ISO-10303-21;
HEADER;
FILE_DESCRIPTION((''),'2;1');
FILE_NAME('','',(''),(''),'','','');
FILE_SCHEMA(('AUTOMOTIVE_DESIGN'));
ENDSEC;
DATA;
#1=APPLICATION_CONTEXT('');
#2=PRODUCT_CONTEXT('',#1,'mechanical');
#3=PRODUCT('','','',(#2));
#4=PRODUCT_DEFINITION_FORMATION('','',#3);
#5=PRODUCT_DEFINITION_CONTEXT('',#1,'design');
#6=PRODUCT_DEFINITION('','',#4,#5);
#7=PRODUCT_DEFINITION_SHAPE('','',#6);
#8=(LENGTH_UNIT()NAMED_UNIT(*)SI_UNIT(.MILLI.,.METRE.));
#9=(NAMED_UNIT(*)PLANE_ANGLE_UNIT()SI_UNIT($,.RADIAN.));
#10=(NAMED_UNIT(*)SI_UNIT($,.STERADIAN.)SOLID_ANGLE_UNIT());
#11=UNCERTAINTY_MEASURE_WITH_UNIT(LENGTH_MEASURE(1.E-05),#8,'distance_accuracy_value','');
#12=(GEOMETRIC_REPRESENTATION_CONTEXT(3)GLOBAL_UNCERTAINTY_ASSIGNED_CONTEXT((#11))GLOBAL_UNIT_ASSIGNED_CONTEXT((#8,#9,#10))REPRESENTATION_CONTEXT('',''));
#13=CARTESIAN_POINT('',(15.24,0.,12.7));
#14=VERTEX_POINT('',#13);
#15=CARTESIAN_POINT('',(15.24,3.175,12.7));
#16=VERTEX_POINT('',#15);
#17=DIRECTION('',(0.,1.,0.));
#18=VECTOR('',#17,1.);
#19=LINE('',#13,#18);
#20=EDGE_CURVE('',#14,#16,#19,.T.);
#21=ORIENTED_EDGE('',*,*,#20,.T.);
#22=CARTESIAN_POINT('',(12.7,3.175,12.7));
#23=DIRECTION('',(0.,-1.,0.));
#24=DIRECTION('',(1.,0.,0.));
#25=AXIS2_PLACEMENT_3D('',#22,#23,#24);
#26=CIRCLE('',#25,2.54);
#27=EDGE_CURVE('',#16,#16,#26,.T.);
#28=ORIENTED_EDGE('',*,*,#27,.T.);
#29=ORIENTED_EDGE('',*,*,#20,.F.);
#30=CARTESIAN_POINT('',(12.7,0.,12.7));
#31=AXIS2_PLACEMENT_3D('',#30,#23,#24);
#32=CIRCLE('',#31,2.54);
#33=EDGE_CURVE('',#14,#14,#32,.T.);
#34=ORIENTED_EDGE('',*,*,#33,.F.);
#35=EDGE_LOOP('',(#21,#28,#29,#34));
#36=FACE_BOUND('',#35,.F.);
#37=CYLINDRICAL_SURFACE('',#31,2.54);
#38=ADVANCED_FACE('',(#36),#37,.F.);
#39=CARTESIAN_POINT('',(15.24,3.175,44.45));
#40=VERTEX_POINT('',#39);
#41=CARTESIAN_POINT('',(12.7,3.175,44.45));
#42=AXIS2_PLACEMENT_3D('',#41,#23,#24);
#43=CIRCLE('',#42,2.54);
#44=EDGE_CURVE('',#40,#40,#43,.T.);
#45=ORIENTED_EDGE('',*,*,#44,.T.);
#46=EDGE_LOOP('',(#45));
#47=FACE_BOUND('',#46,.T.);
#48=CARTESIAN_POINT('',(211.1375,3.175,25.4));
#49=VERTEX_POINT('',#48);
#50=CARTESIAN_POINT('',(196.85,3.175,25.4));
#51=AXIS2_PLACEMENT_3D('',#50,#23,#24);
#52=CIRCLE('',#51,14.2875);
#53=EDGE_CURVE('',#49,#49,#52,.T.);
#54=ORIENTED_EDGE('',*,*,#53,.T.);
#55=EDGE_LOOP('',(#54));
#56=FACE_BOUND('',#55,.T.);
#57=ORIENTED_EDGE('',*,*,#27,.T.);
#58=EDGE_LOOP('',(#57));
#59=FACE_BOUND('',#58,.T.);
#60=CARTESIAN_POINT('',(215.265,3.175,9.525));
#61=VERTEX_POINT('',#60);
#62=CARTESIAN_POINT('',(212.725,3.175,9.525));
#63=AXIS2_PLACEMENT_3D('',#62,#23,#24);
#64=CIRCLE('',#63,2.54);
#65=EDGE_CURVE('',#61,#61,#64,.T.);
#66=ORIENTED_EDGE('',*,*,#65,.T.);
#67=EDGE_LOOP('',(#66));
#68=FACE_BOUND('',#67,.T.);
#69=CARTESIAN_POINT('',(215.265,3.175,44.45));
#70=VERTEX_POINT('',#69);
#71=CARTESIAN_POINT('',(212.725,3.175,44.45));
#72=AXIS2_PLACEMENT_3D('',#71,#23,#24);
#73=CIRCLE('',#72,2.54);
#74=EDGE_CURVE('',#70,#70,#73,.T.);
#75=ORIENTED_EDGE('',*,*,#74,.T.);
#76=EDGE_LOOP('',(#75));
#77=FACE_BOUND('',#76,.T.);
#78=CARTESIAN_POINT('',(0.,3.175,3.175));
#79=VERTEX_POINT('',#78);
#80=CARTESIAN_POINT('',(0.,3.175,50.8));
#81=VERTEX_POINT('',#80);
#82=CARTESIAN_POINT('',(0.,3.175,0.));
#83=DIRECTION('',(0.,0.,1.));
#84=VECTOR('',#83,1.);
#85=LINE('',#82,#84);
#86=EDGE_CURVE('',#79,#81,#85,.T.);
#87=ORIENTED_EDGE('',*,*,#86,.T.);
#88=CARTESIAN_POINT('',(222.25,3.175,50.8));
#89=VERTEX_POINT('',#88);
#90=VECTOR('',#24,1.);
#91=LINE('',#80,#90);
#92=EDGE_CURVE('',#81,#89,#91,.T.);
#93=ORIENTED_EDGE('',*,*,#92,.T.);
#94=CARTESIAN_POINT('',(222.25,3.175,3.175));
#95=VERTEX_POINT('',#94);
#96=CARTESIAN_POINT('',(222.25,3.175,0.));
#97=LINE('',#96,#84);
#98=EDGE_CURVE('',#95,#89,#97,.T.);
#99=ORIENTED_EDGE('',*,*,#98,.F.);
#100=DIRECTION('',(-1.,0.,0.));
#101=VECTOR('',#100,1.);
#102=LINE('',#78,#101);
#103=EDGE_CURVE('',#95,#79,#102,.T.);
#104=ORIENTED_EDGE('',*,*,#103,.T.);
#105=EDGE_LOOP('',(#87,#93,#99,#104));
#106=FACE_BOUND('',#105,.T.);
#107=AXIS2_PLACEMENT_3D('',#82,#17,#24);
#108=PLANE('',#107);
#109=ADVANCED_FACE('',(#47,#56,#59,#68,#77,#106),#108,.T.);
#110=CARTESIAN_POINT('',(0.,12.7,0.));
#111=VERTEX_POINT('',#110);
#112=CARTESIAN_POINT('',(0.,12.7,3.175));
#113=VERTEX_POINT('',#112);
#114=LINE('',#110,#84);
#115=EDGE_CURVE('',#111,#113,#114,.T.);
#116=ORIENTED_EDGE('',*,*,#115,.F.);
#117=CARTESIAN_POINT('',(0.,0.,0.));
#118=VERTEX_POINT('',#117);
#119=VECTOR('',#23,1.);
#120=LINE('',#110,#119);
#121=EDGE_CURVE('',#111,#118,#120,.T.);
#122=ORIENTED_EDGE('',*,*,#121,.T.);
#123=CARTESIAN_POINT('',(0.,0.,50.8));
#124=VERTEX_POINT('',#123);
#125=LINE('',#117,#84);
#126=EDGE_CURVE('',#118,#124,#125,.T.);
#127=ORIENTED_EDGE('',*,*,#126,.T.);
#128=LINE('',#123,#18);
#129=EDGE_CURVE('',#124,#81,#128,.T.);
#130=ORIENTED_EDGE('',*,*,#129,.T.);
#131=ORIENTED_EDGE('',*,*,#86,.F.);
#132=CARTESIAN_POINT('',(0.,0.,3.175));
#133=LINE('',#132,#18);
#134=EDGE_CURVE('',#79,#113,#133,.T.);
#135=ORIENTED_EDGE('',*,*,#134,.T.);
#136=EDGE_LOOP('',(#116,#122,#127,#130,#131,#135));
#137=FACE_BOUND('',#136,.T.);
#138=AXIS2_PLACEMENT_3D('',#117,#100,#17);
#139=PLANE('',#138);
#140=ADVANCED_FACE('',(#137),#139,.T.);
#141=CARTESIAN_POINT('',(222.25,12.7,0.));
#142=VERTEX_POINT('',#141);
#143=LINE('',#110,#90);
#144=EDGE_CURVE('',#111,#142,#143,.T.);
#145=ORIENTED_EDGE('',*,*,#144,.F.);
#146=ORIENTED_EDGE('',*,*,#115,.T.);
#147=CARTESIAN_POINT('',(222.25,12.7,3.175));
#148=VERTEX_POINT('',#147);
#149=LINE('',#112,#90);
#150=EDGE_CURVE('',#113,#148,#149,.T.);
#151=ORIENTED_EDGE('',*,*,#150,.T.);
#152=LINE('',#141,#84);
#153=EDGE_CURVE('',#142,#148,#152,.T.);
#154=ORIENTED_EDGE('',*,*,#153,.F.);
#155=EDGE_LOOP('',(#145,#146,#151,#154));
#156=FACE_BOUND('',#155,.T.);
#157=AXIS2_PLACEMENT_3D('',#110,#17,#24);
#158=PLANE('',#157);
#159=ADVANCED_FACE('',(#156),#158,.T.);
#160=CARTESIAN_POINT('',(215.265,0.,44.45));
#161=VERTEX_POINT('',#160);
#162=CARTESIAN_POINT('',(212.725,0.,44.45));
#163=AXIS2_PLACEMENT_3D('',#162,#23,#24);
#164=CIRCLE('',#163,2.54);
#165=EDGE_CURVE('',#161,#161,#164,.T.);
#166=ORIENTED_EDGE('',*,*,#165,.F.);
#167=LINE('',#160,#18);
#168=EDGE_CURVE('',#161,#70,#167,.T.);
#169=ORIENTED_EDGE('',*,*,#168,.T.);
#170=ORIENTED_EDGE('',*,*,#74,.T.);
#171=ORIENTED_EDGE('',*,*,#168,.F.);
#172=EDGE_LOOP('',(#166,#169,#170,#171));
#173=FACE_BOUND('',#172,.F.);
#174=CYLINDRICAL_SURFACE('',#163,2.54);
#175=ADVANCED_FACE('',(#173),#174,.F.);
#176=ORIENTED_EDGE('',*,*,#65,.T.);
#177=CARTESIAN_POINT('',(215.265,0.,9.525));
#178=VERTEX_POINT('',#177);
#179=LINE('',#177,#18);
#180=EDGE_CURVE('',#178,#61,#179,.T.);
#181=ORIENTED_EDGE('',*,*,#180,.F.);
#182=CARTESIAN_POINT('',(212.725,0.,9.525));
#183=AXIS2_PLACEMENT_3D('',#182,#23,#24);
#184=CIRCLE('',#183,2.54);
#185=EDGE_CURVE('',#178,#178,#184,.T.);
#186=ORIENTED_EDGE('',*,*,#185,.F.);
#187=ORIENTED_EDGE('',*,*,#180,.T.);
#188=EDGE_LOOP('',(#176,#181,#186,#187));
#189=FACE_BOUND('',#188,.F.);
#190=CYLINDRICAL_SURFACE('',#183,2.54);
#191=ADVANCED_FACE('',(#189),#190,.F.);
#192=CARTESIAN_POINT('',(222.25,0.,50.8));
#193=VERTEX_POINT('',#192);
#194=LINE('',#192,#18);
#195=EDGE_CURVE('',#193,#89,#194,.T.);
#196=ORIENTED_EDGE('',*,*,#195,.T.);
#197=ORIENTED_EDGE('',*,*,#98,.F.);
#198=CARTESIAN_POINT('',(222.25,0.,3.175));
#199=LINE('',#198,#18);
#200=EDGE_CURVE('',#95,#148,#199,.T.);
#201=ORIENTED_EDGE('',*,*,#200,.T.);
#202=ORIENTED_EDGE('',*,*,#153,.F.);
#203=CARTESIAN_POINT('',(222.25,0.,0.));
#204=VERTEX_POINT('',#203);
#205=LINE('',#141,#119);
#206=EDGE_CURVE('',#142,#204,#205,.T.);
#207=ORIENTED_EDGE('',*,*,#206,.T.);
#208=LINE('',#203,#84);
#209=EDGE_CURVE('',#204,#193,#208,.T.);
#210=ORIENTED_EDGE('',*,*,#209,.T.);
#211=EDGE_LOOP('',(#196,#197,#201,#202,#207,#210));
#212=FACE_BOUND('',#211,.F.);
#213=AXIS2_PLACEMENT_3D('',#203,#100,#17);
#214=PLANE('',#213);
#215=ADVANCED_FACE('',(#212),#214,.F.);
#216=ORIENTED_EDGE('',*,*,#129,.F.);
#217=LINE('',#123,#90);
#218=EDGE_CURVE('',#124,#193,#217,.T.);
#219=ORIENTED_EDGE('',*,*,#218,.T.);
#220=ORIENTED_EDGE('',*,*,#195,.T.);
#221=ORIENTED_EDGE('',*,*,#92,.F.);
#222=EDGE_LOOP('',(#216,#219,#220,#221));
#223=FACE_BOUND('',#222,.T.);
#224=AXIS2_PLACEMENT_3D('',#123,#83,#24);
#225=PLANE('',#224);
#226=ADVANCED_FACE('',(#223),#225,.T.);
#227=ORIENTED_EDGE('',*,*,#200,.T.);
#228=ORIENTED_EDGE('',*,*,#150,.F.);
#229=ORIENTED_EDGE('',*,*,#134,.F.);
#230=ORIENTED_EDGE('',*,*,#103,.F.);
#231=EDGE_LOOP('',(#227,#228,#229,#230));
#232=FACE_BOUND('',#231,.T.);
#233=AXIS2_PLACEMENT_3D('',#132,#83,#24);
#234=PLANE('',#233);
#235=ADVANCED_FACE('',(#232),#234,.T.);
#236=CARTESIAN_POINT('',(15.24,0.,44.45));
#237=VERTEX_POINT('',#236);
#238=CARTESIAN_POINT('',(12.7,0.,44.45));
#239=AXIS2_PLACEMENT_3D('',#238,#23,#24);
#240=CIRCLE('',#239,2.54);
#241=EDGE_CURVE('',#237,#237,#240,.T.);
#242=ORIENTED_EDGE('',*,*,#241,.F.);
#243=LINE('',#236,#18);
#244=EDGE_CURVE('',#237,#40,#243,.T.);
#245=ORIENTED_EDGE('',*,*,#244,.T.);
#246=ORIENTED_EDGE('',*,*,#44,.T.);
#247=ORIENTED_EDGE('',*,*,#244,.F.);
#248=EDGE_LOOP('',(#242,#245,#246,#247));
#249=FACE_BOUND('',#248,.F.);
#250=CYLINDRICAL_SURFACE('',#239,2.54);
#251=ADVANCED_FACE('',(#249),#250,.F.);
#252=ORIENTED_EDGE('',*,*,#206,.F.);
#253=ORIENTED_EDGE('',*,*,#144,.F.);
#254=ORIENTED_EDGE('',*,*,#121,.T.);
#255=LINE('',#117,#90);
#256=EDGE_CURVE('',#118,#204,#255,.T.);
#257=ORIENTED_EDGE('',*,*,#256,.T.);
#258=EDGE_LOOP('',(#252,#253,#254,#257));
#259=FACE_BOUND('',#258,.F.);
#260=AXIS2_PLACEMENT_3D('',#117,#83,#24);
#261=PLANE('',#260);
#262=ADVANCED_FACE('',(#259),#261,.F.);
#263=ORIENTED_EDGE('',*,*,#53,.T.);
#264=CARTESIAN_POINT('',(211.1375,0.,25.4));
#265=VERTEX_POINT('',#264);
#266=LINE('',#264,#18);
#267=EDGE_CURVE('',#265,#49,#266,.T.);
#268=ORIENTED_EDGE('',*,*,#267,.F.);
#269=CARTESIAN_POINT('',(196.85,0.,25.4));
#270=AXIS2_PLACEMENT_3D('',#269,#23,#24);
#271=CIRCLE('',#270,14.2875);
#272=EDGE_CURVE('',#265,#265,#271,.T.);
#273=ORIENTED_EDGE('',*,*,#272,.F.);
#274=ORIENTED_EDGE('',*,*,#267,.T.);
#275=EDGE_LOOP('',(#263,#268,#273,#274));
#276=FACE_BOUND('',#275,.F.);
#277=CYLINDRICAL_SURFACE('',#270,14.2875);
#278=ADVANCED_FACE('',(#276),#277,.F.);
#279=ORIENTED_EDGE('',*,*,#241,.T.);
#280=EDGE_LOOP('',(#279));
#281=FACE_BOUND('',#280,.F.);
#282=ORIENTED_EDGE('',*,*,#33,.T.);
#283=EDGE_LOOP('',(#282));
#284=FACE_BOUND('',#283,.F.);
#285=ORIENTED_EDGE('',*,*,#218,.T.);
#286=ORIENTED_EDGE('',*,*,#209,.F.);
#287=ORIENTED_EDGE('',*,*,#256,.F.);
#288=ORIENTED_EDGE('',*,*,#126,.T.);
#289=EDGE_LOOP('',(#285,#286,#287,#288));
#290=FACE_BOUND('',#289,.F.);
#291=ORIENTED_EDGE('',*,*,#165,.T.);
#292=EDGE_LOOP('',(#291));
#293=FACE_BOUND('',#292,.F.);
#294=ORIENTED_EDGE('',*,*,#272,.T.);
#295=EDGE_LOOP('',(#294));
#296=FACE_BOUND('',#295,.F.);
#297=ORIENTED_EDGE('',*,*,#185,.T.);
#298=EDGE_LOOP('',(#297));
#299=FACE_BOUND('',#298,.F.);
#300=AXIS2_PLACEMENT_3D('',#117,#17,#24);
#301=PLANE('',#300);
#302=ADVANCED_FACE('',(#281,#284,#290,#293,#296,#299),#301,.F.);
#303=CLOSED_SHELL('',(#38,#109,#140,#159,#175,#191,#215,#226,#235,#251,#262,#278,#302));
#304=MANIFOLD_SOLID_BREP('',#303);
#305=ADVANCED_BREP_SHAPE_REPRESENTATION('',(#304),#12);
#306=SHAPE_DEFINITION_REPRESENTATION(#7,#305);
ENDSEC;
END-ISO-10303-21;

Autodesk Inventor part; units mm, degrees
ref_plane "YZ Plane" through (0, 0, 0) normal (1, 0, 0) x (0, 1, 0)
ref_plane "XZ Plane" through (0, 0, 0) normal (0, 1, 0) x (-1, 0, 0)
ref_plane "XY Plane" through (0, 0, 0) normal (0, 0, 1) x (1, 0, 0)
sketch "Sketch1" plane through (0, 0, 0) normal (0, 0, 1) x (1, 0, 0)
  line L0 (0, 0) -> (222.25, 0)
  line L1 (0, 0) -> (0, 3.175)
  line L2 (0, 3.175) -> (222.25, 3.175)
  line L3 (0, 3.175) -> (0, 12.7)
  line L4 (0, 12.7) -> (222.25, 12.7)
  line L5 (222.25, 0) -> (222.25, 12.7)
  dimension "d4" = 3.175
  dimension "d9" = 12.7
  dimension "d11" = 222.25
extrude "Extrusion1" add sketch "Sketch1" along normal blind 3.175
extrude "Extrusion2" add sketch "Sketch1" along normal blind 50.8 contours L1 L2 L5 L0
sketch "Sketch2" plane through (0, 0, 0) normal (0, -1, 0) x (1, 0, 0)
  circle A0 centre (196.85, 25.4) radius 14.2875
  line L0 (0, 0) -> (0, 50.8) projected
  line L1 (0, 0) -> (222.25, 0) projected
  line L2 (222.25, 0) -> (222.25, 50.8) projected
  line L3 (222.25, 50.8) -> (0, 50.8) projected
  circle A1 centre (12.7, 44.45) radius 2.54
  circle A2 centre (12.7, 12.7) radius 2.54
  circle A3 centre (212.725, 44.45) radius 2.54
  circle A4 centre (212.725, 9.525) radius 2.54
  dimension "d26" = 25.4
  dimension "d27" = 25.4
  dimension "d28" = 28.575
  dimension "d29" = 5.08
  dimension "d30" = 12.7
  dimension "d31" = 6.35
  dimension "d32" = 12.7
  dimension "d33" = 12.7
  dimension "d34" = 6.35
  dimension "d35" = 9.525
  dimension "d36" = 9.525
  dimension "d37" = 9.525
extrude "Extrusion3" cut sketch "Sketch2" against normal through all contours A0 | A1 | A2 | A3 | A4
equation "\"d4\" = d6"
equation "\"d30\" = d32"
equation "\"d34\" = d31"
equation "\"d36\" = d35"
equation "\"d6\" = 3.175"
properties part number "8 ball bottom 1 by 2 L short"
